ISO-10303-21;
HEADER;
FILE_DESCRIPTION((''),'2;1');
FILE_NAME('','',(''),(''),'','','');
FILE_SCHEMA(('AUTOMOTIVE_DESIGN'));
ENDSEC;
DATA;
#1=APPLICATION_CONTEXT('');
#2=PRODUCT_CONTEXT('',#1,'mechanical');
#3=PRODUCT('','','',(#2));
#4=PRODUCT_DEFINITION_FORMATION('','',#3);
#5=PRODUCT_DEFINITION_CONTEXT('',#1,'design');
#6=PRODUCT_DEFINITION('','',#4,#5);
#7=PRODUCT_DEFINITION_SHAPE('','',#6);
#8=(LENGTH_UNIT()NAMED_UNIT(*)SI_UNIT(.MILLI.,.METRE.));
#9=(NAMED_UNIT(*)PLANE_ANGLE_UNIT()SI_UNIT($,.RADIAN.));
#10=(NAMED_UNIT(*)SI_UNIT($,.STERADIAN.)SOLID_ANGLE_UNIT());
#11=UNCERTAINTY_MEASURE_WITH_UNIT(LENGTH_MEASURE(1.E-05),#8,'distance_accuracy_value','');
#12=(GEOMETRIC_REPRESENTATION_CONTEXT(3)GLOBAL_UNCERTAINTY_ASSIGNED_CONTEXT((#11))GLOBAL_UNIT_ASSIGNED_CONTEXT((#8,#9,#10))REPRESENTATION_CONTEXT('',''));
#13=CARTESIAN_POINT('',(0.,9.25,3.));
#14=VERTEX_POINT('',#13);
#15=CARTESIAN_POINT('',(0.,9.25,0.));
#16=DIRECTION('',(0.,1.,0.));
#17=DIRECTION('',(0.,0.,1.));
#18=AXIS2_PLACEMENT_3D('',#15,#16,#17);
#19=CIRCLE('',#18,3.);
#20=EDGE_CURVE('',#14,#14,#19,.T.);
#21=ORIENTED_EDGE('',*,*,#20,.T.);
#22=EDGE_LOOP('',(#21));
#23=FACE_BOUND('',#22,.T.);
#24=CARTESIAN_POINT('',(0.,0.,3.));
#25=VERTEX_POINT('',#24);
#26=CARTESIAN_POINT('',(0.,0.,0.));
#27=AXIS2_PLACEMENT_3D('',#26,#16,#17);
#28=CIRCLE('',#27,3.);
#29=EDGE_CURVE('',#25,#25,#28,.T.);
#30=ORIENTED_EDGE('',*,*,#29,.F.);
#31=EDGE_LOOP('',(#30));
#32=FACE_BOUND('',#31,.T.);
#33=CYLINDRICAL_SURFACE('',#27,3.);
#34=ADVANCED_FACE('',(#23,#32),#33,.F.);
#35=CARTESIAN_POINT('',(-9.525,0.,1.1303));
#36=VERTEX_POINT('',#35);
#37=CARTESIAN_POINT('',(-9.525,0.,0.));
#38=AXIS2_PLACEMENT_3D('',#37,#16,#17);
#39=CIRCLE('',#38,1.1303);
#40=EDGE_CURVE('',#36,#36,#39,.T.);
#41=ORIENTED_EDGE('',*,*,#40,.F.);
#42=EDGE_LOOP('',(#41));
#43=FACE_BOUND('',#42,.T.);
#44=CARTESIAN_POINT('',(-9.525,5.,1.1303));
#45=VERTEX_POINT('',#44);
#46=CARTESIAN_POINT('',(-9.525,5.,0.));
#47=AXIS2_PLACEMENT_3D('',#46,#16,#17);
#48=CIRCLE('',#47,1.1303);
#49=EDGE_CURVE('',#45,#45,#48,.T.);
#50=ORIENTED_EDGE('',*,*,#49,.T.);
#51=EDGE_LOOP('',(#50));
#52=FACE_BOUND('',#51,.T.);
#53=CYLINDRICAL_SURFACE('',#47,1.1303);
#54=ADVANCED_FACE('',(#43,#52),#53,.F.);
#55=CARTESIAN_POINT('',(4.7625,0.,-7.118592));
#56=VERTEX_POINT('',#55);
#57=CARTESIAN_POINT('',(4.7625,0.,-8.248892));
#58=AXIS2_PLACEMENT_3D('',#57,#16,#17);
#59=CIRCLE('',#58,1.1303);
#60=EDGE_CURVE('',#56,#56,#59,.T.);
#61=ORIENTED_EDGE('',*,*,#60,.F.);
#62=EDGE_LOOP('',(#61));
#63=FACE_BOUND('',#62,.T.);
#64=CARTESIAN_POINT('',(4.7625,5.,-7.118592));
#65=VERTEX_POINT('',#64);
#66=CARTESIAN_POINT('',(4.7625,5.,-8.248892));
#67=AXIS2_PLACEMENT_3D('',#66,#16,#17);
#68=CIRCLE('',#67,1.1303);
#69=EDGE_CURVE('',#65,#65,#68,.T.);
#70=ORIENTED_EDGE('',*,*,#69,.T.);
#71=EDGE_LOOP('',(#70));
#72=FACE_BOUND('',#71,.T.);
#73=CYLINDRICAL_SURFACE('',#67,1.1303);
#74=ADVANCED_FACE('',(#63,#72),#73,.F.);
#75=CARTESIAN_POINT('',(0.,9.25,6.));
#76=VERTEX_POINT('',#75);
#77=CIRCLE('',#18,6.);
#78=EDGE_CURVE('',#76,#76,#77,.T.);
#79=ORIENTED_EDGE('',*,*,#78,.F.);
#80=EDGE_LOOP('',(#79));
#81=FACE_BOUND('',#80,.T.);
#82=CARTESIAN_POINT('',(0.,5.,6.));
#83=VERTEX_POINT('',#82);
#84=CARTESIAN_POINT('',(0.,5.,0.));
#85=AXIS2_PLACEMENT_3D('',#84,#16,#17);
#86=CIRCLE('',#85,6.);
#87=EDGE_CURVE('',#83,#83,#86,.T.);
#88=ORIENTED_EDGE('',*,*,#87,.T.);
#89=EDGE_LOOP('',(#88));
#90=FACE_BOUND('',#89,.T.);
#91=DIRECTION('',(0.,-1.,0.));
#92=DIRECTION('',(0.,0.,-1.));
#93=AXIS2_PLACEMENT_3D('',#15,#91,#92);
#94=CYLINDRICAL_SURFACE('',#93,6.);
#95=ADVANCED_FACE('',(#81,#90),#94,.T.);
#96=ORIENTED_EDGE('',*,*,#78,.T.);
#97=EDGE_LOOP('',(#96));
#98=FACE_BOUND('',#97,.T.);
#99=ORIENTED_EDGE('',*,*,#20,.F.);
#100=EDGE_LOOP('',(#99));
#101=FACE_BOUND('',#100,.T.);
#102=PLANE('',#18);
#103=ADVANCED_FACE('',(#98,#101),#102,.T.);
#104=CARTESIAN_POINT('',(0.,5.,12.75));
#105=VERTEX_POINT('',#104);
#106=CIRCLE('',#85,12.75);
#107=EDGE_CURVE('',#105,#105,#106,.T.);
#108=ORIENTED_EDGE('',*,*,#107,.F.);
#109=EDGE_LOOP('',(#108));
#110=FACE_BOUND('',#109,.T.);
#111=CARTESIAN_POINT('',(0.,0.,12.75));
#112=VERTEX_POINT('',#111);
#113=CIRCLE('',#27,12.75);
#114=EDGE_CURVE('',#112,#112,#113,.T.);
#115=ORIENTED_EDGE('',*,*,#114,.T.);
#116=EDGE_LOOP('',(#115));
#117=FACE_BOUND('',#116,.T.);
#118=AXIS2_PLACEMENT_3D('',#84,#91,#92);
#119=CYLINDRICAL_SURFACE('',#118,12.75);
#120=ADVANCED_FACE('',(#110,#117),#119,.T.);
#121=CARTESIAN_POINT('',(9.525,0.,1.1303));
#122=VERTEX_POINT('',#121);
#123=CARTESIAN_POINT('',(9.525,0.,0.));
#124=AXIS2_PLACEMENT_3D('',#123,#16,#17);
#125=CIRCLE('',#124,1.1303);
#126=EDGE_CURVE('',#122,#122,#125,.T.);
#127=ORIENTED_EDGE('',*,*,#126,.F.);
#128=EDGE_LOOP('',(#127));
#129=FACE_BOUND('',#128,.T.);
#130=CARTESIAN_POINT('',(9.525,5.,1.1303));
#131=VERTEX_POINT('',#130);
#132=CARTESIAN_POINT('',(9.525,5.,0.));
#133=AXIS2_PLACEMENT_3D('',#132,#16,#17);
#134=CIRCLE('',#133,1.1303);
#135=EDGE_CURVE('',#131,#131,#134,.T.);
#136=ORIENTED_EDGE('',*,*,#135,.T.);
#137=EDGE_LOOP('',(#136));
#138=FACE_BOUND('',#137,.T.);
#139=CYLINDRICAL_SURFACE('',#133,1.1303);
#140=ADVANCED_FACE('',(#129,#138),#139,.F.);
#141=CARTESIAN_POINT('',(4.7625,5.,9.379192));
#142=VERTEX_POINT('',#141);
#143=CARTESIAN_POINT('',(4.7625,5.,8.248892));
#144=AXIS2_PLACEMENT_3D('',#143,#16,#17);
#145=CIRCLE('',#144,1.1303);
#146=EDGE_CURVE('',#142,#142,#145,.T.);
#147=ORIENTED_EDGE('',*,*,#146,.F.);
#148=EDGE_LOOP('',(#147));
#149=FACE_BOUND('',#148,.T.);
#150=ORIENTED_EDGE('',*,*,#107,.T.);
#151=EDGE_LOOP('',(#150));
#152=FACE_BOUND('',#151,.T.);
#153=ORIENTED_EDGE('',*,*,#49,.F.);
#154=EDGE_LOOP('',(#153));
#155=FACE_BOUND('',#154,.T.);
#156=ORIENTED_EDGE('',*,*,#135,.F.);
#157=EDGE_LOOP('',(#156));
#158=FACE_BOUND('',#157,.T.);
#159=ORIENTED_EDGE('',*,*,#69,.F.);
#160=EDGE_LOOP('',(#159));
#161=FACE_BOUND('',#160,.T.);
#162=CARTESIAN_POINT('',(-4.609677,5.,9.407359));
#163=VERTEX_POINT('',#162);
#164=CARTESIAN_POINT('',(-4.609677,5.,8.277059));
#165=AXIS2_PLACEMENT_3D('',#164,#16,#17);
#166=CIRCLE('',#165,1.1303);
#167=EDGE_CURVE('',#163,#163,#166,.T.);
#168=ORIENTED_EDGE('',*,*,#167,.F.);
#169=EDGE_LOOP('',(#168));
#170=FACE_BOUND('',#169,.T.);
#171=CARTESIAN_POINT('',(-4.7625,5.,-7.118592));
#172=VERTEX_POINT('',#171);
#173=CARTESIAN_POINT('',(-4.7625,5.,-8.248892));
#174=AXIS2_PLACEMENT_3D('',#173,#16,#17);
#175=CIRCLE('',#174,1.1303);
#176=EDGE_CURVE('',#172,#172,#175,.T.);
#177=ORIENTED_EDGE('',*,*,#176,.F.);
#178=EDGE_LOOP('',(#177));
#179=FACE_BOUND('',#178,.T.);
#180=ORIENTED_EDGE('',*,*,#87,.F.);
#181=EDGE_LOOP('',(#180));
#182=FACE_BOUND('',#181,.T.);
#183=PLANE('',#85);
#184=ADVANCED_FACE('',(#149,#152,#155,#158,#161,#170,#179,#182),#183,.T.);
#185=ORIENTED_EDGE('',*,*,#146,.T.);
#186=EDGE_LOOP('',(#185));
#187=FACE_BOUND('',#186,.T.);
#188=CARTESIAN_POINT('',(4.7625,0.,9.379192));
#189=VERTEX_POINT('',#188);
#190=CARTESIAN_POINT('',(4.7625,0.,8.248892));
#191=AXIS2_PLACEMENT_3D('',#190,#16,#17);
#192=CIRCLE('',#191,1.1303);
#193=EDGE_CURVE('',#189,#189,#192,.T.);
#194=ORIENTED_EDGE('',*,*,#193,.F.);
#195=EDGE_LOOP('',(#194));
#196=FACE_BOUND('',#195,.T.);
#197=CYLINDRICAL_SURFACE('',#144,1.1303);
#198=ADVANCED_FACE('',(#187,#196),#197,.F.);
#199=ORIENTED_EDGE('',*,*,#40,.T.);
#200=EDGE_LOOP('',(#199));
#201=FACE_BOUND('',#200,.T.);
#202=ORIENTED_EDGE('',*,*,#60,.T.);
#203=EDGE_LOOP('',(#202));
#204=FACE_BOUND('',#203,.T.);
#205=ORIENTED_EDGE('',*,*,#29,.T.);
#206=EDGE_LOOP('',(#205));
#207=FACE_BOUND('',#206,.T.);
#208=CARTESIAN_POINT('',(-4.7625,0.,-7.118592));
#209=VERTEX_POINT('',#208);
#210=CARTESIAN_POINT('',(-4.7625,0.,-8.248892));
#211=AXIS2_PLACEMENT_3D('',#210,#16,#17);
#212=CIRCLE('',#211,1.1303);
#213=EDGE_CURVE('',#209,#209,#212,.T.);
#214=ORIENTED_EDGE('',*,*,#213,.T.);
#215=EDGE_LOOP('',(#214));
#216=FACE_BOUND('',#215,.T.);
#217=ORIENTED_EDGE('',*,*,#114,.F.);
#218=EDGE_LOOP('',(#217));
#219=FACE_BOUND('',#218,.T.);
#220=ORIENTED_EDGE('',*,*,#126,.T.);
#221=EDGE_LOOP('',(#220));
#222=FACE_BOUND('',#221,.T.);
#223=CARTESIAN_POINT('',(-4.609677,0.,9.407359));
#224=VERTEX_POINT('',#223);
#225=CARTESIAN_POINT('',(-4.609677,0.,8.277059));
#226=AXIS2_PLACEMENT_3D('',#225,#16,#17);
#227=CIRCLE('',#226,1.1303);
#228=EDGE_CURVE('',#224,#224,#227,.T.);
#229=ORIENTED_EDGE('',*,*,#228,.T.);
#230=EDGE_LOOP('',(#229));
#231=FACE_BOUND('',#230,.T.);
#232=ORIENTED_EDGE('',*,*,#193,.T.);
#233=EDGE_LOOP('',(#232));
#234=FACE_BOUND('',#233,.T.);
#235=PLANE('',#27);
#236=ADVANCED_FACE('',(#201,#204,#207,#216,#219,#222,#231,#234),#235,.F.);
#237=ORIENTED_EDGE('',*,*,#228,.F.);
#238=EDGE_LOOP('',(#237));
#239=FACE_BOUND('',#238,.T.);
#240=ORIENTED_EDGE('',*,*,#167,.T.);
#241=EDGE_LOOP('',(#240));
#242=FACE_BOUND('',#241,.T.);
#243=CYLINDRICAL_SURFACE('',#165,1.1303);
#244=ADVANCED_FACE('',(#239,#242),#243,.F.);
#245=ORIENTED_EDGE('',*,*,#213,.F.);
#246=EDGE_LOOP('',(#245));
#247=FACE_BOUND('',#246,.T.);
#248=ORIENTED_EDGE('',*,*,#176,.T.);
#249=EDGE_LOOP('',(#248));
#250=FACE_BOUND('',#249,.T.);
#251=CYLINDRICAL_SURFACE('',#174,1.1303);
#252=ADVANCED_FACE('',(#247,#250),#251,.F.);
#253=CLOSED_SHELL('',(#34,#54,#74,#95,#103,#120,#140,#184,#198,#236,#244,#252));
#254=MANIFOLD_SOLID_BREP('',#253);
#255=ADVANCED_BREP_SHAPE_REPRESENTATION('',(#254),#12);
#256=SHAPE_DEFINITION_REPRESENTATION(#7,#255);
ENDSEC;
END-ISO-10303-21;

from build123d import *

# Parameters (mm, degrees)
SKETCH1_R             = 12.75
BOSS_EXTRUDE1_DEPTH   = 5
SKETCH2_R             = 6
BOSS_EXTRUDE2_DEPTH   = 4.25
SKETCH3_R             = 3
CUT_EXTRUDE1_DEPTH    = 10.25
F_4_40_TAPPED_HOLE2_D = 2.2606


with BuildPart() as part:
    # Sketch1 → Boss-Extrude1 (new body)
    with BuildSketch(Plane(origin=(0, 0, 0), x_dir=(1, 0, 0), z_dir=(0, 1, 0))):
        Circle(SKETCH1_R)
    extrude(amount=BOSS_EXTRUDE1_DEPTH)

    # Sketch2 → Boss-Extrude2 (add)
    with BuildSketch(Plane(origin=(0, 5, 0), x_dir=(1, 0, 0), z_dir=(0, 1, 0))):
        Circle(SKETCH2_R)
    extrude(amount=BOSS_EXTRUDE2_DEPTH)

    # Sketch3 → Cut-Extrude1 (cut, through all)
    with BuildSketch(Plane(origin=(0, 9.25, 0), x_dir=(1, 0, 0), z_dir=(0, 1, 0))):
        Circle(SKETCH3_R)
    extrude(amount=-CUT_EXTRUDE1_DEPTH, mode=Mode.SUBTRACT)

    # #4-40 Tapped Hole2 (through all)
    with Locations(Plane(origin=(0, 5, 0), x_dir=(1, 0, 0), z_dir=(0, 1, 0))):
        with Locations((-4.609677481, -8.277058611), (-9.525, 0), (4.7625, -8.248891971), (9.525, 0), (-4.7625, 8.248891971), (4.7625, 8.248891971)):
            Hole(F_4_40_TAPPED_HOLE2_D / 2)


solid = part.part
